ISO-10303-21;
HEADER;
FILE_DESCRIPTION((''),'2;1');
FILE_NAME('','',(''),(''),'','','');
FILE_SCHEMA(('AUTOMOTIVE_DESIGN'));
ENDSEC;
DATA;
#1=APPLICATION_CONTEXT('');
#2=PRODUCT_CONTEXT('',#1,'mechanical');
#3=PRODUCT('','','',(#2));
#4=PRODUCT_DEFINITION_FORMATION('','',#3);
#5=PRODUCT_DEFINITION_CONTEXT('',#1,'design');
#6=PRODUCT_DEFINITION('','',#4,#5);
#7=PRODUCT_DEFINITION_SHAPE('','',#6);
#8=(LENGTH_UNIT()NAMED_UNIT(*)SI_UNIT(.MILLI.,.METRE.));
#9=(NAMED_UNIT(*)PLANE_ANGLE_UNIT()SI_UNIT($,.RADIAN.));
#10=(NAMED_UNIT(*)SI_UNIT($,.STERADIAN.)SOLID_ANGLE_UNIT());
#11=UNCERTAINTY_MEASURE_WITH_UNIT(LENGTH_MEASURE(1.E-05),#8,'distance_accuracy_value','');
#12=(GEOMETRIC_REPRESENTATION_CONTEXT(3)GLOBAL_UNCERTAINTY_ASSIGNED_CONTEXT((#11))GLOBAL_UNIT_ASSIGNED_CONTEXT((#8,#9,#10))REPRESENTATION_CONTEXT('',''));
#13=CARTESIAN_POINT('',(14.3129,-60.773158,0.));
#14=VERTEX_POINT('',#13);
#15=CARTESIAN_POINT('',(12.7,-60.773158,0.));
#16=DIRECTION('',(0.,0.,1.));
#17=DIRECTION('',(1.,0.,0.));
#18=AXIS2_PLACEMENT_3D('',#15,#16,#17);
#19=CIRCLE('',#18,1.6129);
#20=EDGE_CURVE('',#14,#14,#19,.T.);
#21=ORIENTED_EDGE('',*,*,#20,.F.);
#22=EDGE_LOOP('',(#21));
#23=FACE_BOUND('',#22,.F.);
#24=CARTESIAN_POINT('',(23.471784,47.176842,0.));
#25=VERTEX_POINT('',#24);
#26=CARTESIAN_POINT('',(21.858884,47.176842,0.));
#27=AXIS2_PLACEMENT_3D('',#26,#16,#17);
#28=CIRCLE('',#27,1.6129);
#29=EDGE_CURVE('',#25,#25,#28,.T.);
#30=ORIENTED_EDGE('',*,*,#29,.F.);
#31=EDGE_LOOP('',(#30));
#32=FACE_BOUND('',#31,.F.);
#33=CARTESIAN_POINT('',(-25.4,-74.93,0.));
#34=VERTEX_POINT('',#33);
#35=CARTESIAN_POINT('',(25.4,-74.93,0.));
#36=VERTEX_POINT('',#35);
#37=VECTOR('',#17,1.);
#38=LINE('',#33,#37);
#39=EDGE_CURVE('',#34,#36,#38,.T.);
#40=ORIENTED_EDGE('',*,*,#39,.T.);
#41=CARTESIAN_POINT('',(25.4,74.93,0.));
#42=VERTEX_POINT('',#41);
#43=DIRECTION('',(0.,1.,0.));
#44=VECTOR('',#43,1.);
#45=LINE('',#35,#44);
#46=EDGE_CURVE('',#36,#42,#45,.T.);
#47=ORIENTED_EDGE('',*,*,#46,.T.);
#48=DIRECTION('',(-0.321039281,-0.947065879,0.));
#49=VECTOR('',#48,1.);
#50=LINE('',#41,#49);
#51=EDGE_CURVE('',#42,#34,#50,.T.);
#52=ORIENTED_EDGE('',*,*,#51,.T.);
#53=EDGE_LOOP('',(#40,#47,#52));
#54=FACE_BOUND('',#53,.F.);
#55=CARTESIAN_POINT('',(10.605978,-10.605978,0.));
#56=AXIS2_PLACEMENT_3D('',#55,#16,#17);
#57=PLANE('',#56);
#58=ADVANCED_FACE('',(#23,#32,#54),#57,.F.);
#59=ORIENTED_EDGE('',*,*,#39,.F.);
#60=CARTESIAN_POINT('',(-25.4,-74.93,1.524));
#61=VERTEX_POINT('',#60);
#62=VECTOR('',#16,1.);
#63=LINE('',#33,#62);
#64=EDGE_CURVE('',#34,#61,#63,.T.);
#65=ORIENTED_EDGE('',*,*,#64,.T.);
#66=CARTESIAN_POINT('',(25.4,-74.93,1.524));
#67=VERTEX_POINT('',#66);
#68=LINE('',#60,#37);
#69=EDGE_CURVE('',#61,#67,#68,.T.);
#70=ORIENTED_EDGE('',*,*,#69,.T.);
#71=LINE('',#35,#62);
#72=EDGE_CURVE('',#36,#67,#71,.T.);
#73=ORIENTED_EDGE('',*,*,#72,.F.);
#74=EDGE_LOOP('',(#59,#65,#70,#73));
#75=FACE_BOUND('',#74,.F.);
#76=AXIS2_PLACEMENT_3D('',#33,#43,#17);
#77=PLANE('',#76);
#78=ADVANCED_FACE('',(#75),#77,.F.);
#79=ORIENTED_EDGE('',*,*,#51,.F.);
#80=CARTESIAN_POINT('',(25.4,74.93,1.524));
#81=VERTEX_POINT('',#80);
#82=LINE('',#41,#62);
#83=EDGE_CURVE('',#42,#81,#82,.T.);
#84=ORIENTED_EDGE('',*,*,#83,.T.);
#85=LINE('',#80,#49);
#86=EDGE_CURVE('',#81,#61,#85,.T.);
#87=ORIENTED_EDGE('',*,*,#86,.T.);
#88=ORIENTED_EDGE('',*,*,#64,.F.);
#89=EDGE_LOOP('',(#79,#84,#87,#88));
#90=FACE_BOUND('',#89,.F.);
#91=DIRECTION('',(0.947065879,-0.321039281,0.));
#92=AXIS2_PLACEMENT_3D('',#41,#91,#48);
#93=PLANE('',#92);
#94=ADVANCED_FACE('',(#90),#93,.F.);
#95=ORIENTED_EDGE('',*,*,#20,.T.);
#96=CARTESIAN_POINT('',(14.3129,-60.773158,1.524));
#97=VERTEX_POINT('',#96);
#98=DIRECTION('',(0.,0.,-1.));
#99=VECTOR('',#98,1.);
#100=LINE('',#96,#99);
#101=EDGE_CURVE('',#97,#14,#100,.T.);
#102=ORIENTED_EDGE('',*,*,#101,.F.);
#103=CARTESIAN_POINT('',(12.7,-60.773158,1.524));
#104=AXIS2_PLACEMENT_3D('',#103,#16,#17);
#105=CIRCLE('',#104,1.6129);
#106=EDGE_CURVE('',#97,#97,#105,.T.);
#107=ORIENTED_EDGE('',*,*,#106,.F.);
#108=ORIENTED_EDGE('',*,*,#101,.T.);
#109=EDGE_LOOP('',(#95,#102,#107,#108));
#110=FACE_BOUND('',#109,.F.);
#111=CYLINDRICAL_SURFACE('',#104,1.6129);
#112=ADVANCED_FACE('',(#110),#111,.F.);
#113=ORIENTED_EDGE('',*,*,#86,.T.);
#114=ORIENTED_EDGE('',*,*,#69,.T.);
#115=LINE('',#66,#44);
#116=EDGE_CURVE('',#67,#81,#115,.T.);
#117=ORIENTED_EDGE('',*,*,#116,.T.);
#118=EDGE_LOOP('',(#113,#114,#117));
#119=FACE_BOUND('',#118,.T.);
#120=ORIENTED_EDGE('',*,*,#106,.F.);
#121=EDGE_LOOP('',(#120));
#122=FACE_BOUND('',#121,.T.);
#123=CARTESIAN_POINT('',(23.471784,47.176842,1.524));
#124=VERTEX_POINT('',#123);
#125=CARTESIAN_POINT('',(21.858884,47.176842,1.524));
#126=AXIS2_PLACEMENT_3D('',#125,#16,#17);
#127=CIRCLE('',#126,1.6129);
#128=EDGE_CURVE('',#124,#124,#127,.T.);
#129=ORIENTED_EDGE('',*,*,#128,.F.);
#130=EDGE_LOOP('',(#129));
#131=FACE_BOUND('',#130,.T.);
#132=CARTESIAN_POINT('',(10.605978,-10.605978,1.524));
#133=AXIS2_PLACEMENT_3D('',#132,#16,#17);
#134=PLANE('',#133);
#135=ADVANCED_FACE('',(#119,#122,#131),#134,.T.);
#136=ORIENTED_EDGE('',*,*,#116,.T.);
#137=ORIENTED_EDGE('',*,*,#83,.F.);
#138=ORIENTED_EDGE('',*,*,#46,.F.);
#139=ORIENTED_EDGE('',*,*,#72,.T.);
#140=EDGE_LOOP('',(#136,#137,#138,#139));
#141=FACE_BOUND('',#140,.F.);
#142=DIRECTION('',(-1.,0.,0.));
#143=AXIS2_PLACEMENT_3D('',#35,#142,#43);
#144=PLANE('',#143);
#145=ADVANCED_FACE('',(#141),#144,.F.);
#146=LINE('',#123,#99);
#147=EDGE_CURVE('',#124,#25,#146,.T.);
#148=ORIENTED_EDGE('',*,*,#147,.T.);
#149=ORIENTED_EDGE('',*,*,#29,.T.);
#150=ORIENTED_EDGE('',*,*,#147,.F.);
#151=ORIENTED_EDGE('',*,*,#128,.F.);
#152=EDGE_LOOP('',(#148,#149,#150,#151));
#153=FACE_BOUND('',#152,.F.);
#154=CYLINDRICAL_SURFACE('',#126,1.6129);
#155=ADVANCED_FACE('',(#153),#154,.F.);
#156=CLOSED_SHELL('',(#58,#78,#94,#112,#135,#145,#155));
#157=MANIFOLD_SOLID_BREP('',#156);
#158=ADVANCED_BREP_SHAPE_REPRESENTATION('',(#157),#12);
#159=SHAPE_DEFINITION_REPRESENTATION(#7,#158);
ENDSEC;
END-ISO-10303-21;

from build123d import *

# Parameters (mm, degrees)
F1_DEPTH = 1.524
F2_R     = 1.6129
F3_DEPTH = 25.4
F4_DEPTH = 39.37


with BuildPart() as f1:
    # F0 (on Top) → F1 (new body)
    with BuildSketch(Plane.XY):
        Polygon((-25.4, -74.93), (25.4, -74.93), (25.4, 74.93), align=None)
    extrude(amount=F1_DEPTH)

    # F2 (on face) → F3 (cut)
    with BuildSketch(Plane.XY.offset(1.524)):
        with Locations((21.858884, 47.176842)):
            Circle(F2_R)
        with Locations((12.7, -60.773158)):
            Circle(F2_R)
    extrude(amount=-F3_DEPTH, mode=Mode.SUBTRACT)

    # F2 (on face) → F4 (cut)
    with BuildSketch(Plane.XY.offset(1.524)):
        with Locations((21.858884, 47.176842)):
            Circle(F2_R)
        with Locations((12.7, -60.773158)):
            Circle(F2_R)
    extrude(amount=F4_DEPTH, mode=Mode.SUBTRACT)


solid = f1.part
